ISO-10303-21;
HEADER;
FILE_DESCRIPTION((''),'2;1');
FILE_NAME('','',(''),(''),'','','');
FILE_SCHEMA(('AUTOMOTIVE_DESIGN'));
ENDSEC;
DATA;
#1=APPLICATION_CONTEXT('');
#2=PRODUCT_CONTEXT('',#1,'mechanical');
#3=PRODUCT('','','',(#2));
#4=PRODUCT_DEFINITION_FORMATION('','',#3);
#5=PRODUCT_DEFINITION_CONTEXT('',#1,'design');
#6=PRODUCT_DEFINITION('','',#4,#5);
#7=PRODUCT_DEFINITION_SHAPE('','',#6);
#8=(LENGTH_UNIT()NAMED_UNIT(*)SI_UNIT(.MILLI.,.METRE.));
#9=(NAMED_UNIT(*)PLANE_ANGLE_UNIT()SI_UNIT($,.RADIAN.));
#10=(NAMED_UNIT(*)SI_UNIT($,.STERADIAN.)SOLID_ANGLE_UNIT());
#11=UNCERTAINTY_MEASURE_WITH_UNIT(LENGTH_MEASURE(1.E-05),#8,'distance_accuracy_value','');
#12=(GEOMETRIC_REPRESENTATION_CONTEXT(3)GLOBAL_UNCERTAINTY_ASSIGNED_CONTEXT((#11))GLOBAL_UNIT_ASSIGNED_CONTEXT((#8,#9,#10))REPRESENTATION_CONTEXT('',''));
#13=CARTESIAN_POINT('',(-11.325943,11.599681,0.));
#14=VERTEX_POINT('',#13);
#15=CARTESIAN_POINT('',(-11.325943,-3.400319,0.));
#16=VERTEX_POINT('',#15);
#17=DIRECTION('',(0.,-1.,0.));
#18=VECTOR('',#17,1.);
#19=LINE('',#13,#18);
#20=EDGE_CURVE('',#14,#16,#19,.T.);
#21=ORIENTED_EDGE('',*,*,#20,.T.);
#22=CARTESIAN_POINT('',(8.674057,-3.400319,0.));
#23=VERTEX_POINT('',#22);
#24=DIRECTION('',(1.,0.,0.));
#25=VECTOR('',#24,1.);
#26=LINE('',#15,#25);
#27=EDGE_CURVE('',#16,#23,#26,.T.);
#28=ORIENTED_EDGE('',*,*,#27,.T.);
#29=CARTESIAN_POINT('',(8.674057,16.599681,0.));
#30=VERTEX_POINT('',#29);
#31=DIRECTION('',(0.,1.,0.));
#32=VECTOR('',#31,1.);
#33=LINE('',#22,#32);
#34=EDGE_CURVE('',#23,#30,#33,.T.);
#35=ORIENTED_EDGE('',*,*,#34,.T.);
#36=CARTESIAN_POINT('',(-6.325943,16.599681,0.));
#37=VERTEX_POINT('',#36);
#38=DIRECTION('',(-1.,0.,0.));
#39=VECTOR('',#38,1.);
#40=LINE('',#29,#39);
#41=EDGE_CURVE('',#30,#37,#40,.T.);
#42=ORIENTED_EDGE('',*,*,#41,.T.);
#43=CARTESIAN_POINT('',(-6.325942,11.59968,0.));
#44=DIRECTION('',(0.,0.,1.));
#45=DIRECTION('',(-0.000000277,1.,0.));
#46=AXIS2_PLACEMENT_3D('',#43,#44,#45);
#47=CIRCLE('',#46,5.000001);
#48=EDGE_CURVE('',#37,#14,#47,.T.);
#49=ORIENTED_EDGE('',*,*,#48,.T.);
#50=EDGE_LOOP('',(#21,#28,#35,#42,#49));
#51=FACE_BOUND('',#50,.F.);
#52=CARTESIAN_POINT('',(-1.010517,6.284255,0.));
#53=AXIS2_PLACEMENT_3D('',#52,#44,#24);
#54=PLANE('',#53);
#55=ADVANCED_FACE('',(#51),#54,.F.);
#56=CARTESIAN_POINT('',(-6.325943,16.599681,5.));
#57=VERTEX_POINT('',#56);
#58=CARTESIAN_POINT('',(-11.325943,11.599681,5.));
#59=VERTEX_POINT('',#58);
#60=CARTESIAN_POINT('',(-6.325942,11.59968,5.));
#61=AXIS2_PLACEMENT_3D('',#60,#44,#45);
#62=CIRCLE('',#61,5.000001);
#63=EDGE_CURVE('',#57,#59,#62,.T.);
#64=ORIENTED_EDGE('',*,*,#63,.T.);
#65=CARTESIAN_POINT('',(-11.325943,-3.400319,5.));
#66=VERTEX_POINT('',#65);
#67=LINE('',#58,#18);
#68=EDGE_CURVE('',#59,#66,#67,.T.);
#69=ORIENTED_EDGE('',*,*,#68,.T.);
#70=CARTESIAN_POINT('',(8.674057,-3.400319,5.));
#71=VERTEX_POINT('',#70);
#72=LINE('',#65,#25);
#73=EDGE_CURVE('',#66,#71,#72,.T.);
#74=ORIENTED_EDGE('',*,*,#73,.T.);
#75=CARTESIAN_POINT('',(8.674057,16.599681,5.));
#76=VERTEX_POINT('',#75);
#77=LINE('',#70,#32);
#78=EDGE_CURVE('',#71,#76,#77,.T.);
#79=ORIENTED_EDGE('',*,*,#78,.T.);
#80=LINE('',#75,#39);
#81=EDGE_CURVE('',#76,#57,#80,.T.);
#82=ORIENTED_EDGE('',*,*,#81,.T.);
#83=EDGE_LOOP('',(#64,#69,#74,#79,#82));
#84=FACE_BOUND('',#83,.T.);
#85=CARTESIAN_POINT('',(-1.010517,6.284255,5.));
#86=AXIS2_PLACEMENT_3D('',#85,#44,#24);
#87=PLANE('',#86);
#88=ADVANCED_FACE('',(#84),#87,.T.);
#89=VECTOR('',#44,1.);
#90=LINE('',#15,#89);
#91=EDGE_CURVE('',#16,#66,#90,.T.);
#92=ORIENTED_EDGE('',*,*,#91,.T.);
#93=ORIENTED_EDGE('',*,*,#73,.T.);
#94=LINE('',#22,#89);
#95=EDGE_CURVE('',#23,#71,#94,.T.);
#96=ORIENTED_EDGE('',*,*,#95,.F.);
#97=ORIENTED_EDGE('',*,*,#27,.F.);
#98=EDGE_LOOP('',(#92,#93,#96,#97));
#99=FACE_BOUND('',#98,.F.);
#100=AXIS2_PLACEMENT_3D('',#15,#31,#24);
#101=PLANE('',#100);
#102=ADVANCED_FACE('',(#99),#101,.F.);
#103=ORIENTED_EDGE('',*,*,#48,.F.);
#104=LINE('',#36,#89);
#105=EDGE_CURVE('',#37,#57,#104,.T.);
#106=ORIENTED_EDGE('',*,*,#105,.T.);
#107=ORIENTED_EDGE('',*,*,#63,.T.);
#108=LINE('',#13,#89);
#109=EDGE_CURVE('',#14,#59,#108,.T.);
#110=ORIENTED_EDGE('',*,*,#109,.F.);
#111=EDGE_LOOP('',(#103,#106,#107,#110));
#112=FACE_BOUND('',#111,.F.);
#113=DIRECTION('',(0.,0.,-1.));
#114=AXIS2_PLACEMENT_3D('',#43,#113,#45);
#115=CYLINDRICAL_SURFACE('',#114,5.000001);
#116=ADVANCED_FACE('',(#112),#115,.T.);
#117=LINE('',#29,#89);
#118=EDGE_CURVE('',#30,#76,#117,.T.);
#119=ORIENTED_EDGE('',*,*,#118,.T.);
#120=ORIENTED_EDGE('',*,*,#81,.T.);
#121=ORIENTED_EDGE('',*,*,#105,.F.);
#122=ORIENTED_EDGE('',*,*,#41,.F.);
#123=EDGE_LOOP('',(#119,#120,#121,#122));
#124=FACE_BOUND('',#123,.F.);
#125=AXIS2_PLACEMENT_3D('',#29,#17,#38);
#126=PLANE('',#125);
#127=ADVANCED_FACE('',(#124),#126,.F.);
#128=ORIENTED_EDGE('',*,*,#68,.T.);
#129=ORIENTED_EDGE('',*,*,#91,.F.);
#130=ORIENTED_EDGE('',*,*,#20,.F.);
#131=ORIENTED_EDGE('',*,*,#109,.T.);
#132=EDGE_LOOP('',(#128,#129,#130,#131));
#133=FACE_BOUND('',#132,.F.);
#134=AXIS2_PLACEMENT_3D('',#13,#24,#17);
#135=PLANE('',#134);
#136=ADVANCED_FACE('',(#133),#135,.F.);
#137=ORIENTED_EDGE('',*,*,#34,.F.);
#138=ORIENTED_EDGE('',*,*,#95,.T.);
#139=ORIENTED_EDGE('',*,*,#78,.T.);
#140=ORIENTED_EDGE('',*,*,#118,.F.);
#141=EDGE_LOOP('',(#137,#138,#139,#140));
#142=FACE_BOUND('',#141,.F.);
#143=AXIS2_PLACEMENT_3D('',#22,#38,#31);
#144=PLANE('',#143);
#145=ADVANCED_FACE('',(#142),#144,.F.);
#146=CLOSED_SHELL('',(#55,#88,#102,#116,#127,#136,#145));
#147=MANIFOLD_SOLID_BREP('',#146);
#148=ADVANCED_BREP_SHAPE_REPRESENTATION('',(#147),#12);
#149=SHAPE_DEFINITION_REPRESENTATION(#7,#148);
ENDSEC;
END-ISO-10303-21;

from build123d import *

# Parameters (mm, degrees)
F1_DEPTH = 5


with BuildPart() as f1:
    # F0 (on Top) → F1 (new body)
    with BuildSketch(Plane.XY):
        with BuildLine():
            Line((8.674057, 16.599681), (-6.325943, 16.599681))
            ThreePointArc((-6.325943, 16.599681), (-9.861476, 15.135215), (-11.325943, 11.599681))
            Line((-11.325943, 11.599681), (-11.325943, -3.400319))
            Line((-11.325943, -3.400319), (8.674057, -3.400319))
            Line((8.674057, -3.400319), (8.674057, 16.599681))
        make_face()
    extrude(amount=F1_DEPTH)


solid = f1.part
